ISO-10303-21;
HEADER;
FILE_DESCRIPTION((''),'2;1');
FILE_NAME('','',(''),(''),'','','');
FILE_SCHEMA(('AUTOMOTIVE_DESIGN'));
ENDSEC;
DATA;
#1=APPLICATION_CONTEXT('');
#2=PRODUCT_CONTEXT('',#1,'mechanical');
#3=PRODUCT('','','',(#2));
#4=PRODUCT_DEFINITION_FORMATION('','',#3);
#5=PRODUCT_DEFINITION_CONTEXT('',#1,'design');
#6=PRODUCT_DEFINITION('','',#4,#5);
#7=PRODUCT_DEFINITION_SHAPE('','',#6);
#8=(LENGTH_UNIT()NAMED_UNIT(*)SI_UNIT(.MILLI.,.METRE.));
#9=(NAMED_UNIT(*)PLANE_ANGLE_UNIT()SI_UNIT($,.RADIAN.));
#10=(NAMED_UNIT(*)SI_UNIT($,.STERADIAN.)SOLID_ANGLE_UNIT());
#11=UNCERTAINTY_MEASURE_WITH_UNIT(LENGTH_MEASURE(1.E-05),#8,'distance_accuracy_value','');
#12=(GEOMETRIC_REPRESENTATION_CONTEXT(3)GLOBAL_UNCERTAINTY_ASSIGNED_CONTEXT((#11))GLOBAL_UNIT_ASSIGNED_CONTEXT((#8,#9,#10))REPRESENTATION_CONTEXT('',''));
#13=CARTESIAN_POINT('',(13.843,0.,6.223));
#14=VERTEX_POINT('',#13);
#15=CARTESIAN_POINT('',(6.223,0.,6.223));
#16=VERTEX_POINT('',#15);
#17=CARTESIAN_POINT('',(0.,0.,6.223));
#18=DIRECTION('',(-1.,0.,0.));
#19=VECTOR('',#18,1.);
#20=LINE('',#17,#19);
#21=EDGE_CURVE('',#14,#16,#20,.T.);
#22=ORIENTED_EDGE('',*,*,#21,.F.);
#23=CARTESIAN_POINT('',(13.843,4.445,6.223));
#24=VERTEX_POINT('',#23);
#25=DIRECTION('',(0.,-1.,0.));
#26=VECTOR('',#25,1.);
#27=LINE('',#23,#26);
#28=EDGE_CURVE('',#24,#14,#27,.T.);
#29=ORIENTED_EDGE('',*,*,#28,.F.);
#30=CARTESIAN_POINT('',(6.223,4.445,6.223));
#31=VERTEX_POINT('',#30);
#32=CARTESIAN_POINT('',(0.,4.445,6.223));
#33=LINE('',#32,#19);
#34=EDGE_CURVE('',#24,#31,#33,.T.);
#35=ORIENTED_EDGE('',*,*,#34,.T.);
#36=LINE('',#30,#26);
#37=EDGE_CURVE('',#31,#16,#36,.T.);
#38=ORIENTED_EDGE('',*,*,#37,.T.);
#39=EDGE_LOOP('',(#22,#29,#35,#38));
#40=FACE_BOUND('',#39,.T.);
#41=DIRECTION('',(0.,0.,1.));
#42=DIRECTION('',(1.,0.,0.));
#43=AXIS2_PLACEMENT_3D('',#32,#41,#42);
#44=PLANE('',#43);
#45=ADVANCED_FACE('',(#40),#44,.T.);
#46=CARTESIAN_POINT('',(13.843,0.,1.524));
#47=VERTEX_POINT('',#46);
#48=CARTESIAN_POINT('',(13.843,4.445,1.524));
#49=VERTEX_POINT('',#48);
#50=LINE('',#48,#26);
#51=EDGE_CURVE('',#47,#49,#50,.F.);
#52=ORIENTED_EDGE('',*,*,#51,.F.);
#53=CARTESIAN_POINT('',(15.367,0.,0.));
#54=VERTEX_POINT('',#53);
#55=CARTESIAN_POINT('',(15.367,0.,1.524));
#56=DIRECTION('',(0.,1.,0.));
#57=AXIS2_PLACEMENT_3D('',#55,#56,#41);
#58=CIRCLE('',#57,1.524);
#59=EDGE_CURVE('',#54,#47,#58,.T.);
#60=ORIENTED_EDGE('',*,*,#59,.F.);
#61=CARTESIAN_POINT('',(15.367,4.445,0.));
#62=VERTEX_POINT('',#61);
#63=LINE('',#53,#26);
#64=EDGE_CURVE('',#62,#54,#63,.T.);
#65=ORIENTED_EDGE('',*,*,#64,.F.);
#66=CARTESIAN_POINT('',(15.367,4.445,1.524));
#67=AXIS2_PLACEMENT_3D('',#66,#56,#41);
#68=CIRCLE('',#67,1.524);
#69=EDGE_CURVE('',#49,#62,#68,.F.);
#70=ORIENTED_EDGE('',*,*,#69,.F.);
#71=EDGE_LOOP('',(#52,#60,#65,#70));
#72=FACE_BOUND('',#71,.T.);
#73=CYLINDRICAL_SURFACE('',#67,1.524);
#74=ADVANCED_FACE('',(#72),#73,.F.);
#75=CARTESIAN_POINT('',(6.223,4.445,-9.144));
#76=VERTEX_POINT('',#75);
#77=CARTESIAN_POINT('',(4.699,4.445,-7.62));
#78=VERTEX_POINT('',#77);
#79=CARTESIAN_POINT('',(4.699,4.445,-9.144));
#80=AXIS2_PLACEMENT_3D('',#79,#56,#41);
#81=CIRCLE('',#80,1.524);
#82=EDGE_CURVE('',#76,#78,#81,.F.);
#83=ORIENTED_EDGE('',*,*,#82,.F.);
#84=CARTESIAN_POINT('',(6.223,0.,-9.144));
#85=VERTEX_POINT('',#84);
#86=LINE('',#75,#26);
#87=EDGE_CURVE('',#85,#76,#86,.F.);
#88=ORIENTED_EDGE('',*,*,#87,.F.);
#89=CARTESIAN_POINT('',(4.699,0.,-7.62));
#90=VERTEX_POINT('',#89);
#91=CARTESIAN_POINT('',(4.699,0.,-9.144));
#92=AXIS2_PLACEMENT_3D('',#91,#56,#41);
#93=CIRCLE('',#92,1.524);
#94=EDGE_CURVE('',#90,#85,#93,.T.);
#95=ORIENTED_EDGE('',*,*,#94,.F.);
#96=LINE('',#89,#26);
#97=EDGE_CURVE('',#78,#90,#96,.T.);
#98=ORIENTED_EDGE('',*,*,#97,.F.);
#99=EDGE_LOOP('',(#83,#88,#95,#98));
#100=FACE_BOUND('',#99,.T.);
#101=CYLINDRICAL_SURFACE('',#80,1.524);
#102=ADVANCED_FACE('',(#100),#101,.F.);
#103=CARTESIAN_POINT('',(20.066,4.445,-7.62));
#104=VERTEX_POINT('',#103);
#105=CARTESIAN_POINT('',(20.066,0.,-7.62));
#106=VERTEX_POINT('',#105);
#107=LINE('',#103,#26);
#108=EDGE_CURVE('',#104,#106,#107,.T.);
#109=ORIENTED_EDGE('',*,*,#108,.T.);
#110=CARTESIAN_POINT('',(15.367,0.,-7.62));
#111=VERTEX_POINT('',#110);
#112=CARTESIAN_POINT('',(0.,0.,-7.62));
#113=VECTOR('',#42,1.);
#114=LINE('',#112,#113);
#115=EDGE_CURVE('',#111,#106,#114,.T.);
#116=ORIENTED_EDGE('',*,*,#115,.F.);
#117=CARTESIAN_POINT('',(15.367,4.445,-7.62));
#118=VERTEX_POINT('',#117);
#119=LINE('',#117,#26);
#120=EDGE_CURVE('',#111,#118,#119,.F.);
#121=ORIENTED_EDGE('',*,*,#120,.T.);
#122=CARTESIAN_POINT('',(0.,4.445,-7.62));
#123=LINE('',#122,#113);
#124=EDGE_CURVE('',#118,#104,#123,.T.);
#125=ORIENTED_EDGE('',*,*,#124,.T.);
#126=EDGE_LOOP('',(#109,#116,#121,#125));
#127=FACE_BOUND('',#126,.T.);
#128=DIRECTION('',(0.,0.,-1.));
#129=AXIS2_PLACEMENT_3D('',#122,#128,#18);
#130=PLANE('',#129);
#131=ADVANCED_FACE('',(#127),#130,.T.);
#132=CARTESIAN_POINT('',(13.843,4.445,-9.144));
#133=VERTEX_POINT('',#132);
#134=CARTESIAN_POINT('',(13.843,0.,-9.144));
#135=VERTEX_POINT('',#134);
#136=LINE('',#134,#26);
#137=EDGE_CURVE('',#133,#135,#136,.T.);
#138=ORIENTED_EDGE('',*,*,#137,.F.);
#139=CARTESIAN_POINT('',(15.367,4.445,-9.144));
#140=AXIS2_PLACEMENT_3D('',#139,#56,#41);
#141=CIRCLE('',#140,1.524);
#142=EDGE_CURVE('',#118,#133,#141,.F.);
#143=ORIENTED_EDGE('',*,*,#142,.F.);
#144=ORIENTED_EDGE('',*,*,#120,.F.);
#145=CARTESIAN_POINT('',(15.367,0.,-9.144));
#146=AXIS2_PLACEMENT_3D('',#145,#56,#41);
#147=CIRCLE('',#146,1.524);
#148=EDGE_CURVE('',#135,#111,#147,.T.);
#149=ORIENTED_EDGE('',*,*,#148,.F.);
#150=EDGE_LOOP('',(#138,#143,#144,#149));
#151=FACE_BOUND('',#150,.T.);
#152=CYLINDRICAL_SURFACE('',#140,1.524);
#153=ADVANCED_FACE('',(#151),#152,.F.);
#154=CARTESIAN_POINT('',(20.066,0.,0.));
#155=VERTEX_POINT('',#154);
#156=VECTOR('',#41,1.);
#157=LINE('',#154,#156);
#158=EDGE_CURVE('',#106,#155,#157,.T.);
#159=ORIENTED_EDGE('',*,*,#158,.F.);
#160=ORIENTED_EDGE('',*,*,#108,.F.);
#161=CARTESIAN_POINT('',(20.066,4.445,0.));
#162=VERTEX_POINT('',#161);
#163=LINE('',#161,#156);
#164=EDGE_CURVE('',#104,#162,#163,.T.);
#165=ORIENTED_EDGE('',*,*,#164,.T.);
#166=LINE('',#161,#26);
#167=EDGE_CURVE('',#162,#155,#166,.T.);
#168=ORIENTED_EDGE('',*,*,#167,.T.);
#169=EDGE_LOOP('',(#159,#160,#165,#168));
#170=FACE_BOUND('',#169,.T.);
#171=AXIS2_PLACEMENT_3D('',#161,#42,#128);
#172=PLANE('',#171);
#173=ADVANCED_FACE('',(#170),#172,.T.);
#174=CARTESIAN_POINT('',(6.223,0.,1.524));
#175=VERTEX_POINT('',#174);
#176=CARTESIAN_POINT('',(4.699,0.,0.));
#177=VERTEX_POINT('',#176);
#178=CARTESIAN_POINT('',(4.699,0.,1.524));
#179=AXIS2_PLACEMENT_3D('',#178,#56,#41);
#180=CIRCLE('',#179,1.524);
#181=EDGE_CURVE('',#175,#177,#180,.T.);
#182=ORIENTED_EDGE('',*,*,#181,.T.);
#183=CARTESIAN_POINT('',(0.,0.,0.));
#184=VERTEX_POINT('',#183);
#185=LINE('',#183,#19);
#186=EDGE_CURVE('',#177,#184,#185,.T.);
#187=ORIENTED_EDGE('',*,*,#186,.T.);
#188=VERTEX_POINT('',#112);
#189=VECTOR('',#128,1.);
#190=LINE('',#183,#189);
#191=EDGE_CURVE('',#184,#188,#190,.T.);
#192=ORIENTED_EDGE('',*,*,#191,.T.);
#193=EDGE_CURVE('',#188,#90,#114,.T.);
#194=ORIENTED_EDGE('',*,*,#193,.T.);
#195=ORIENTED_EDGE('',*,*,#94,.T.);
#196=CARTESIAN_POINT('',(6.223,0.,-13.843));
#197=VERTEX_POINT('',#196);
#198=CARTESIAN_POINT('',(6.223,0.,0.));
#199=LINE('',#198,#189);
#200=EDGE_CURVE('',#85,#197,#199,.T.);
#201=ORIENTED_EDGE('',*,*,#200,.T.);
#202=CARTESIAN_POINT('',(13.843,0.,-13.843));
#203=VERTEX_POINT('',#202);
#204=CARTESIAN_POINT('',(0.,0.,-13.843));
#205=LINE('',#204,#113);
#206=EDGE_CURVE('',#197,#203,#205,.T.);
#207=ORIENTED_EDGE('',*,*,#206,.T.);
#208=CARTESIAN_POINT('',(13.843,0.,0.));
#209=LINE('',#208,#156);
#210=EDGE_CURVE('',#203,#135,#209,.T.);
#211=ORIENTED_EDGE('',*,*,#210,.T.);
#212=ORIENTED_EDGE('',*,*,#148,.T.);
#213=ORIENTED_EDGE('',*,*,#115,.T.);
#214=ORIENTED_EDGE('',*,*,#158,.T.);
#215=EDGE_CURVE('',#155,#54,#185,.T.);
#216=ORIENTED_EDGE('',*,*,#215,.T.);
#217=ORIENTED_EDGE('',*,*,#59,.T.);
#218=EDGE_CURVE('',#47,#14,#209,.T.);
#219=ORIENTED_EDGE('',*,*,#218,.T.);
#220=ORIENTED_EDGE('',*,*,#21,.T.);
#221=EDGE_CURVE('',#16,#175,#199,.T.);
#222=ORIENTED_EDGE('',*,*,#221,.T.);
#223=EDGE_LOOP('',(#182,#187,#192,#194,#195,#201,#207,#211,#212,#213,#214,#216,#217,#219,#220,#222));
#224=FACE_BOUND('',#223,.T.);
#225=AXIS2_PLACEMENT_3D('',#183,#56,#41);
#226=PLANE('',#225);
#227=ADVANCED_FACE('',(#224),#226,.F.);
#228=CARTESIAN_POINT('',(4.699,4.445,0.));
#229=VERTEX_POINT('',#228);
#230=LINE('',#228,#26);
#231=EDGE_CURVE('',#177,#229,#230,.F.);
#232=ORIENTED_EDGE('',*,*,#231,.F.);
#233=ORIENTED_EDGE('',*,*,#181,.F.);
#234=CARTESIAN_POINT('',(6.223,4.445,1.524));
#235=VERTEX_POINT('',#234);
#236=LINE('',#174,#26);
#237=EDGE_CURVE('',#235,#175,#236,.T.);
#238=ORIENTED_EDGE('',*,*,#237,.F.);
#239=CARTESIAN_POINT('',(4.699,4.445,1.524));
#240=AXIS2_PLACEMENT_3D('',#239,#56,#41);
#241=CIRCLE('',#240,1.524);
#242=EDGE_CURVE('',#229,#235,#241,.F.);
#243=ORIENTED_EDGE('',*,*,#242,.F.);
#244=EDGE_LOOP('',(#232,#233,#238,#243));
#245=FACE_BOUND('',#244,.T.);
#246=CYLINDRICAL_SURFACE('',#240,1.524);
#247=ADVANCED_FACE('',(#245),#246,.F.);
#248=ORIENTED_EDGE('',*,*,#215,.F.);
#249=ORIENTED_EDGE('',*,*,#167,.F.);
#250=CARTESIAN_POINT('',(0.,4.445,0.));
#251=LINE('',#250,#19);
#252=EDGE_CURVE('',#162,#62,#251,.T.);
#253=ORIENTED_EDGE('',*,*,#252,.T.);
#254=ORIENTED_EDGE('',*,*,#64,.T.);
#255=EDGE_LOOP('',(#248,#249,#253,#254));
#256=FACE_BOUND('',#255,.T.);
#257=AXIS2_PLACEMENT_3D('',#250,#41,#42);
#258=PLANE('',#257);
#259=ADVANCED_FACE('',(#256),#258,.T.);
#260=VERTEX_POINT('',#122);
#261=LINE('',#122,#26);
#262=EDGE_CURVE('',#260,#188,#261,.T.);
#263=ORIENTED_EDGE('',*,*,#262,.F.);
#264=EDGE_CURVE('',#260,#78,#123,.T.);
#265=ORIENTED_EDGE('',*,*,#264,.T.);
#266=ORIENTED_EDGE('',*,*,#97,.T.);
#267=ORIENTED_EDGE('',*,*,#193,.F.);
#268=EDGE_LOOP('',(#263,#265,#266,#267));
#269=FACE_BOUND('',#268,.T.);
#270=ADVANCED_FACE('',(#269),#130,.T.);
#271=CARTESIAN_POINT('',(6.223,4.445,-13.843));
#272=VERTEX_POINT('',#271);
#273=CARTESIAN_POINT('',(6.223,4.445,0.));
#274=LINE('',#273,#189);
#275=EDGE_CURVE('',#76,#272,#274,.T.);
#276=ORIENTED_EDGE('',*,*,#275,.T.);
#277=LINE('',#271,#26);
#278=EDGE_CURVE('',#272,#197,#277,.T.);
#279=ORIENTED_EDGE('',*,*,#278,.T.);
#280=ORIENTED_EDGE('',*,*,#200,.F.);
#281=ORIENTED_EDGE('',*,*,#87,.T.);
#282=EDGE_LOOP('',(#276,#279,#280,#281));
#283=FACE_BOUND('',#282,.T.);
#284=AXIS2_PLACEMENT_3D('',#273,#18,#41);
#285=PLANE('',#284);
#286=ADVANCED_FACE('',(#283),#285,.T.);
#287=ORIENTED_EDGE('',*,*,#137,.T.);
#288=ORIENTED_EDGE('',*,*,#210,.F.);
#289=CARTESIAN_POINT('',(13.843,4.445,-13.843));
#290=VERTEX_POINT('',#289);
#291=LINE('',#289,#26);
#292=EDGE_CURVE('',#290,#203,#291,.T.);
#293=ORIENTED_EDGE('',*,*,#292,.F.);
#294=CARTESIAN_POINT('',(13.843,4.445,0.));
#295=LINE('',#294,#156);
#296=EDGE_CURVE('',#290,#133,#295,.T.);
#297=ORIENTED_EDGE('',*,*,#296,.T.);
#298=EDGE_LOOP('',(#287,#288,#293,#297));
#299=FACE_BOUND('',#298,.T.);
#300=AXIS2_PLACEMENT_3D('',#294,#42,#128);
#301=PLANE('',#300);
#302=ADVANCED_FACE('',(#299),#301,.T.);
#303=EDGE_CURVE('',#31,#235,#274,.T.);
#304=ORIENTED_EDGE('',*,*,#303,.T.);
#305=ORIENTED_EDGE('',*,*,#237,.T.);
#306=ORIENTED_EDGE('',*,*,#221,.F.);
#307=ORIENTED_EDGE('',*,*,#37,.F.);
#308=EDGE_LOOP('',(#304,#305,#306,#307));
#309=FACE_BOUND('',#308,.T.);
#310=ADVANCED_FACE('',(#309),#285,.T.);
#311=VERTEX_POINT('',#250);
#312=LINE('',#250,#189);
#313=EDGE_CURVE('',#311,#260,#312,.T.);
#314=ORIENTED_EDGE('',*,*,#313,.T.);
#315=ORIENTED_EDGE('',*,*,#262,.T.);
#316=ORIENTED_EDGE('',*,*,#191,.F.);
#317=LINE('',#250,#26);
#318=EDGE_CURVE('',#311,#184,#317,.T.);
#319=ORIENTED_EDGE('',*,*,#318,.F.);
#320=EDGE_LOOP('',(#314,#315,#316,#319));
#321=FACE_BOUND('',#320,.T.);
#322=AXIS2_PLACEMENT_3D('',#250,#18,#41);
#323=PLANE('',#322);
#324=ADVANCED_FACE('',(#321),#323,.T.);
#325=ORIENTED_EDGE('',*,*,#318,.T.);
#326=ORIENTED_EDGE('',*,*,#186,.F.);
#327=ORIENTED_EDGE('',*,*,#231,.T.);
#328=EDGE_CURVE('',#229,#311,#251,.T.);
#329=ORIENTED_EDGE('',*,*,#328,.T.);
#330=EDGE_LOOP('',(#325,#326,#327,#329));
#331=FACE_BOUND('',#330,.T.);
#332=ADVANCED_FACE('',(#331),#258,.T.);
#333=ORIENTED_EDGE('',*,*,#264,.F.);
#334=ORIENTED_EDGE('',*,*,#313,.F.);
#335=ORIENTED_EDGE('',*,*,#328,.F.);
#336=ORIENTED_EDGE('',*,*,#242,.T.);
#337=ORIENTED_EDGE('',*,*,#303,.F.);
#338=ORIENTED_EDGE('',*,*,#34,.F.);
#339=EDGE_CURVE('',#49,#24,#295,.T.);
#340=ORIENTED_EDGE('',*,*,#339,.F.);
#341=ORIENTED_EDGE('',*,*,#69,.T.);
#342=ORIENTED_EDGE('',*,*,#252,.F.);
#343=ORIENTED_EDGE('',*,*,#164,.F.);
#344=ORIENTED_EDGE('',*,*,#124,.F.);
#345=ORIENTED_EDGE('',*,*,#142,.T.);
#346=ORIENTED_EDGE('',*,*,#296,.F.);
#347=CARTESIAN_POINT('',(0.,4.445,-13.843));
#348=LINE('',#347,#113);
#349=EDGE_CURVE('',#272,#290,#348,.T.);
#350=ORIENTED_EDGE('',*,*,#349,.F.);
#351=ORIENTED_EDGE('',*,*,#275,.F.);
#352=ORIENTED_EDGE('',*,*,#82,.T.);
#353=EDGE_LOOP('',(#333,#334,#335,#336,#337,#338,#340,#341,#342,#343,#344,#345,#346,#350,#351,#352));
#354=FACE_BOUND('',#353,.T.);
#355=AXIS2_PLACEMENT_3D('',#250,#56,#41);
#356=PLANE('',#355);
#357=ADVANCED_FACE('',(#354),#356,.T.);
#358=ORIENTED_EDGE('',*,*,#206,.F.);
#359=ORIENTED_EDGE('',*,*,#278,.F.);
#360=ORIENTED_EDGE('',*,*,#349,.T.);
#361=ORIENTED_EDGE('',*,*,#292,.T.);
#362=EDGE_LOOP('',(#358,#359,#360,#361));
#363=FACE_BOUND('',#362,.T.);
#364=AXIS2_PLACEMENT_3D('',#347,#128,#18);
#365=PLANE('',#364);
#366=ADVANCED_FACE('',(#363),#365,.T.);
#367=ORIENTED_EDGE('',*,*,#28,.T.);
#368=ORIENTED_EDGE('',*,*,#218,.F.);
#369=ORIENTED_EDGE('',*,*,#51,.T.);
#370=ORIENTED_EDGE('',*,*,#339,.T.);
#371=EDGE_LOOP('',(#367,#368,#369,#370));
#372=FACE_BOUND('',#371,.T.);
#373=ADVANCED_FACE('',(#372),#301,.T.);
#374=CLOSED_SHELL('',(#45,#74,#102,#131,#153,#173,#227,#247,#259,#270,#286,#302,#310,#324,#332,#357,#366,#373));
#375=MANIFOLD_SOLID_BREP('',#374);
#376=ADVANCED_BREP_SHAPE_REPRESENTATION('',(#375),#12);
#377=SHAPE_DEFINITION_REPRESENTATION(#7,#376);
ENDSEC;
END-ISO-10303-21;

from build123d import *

# Parameters (mm, degrees)
BOSS_EXTRUDE1_DEPTH = 4.445
FILLET1_R           = 1.524


with BuildPart() as part:
    # Sketch1 → Boss-Extrude1 (new body)
    with BuildSketch(Plane(origin=(0, 0, 0), x_dir=(1, 0, 0), z_dir=(0, 1, 0))):
        Polygon((0, 0), (0, 7.62), (6.223, 7.62), (6.223, 13.843), (13.843, 13.843), (13.843, 7.62), (20.066, 7.62), (20.066, 0), (13.843, 0), (13.843, -6.223), (6.223, -6.223), (6.223, 0), align=None)
    extrude(amount=BOSS_EXTRUDE1_DEPTH)

    # Fillet1
    fillet1_edges = [part.edges().sort_by_distance(p)[0] for p in [
        (6.223, 2.2225, -7.62),
        (13.843, 2.2225, -7.62),
        (13.843, 2.2225, 0),
        (6.223, 2.2225, 0),
    ]]
    fillet(fillet1_edges, radius=FILLET1_R)


solid = part.part
